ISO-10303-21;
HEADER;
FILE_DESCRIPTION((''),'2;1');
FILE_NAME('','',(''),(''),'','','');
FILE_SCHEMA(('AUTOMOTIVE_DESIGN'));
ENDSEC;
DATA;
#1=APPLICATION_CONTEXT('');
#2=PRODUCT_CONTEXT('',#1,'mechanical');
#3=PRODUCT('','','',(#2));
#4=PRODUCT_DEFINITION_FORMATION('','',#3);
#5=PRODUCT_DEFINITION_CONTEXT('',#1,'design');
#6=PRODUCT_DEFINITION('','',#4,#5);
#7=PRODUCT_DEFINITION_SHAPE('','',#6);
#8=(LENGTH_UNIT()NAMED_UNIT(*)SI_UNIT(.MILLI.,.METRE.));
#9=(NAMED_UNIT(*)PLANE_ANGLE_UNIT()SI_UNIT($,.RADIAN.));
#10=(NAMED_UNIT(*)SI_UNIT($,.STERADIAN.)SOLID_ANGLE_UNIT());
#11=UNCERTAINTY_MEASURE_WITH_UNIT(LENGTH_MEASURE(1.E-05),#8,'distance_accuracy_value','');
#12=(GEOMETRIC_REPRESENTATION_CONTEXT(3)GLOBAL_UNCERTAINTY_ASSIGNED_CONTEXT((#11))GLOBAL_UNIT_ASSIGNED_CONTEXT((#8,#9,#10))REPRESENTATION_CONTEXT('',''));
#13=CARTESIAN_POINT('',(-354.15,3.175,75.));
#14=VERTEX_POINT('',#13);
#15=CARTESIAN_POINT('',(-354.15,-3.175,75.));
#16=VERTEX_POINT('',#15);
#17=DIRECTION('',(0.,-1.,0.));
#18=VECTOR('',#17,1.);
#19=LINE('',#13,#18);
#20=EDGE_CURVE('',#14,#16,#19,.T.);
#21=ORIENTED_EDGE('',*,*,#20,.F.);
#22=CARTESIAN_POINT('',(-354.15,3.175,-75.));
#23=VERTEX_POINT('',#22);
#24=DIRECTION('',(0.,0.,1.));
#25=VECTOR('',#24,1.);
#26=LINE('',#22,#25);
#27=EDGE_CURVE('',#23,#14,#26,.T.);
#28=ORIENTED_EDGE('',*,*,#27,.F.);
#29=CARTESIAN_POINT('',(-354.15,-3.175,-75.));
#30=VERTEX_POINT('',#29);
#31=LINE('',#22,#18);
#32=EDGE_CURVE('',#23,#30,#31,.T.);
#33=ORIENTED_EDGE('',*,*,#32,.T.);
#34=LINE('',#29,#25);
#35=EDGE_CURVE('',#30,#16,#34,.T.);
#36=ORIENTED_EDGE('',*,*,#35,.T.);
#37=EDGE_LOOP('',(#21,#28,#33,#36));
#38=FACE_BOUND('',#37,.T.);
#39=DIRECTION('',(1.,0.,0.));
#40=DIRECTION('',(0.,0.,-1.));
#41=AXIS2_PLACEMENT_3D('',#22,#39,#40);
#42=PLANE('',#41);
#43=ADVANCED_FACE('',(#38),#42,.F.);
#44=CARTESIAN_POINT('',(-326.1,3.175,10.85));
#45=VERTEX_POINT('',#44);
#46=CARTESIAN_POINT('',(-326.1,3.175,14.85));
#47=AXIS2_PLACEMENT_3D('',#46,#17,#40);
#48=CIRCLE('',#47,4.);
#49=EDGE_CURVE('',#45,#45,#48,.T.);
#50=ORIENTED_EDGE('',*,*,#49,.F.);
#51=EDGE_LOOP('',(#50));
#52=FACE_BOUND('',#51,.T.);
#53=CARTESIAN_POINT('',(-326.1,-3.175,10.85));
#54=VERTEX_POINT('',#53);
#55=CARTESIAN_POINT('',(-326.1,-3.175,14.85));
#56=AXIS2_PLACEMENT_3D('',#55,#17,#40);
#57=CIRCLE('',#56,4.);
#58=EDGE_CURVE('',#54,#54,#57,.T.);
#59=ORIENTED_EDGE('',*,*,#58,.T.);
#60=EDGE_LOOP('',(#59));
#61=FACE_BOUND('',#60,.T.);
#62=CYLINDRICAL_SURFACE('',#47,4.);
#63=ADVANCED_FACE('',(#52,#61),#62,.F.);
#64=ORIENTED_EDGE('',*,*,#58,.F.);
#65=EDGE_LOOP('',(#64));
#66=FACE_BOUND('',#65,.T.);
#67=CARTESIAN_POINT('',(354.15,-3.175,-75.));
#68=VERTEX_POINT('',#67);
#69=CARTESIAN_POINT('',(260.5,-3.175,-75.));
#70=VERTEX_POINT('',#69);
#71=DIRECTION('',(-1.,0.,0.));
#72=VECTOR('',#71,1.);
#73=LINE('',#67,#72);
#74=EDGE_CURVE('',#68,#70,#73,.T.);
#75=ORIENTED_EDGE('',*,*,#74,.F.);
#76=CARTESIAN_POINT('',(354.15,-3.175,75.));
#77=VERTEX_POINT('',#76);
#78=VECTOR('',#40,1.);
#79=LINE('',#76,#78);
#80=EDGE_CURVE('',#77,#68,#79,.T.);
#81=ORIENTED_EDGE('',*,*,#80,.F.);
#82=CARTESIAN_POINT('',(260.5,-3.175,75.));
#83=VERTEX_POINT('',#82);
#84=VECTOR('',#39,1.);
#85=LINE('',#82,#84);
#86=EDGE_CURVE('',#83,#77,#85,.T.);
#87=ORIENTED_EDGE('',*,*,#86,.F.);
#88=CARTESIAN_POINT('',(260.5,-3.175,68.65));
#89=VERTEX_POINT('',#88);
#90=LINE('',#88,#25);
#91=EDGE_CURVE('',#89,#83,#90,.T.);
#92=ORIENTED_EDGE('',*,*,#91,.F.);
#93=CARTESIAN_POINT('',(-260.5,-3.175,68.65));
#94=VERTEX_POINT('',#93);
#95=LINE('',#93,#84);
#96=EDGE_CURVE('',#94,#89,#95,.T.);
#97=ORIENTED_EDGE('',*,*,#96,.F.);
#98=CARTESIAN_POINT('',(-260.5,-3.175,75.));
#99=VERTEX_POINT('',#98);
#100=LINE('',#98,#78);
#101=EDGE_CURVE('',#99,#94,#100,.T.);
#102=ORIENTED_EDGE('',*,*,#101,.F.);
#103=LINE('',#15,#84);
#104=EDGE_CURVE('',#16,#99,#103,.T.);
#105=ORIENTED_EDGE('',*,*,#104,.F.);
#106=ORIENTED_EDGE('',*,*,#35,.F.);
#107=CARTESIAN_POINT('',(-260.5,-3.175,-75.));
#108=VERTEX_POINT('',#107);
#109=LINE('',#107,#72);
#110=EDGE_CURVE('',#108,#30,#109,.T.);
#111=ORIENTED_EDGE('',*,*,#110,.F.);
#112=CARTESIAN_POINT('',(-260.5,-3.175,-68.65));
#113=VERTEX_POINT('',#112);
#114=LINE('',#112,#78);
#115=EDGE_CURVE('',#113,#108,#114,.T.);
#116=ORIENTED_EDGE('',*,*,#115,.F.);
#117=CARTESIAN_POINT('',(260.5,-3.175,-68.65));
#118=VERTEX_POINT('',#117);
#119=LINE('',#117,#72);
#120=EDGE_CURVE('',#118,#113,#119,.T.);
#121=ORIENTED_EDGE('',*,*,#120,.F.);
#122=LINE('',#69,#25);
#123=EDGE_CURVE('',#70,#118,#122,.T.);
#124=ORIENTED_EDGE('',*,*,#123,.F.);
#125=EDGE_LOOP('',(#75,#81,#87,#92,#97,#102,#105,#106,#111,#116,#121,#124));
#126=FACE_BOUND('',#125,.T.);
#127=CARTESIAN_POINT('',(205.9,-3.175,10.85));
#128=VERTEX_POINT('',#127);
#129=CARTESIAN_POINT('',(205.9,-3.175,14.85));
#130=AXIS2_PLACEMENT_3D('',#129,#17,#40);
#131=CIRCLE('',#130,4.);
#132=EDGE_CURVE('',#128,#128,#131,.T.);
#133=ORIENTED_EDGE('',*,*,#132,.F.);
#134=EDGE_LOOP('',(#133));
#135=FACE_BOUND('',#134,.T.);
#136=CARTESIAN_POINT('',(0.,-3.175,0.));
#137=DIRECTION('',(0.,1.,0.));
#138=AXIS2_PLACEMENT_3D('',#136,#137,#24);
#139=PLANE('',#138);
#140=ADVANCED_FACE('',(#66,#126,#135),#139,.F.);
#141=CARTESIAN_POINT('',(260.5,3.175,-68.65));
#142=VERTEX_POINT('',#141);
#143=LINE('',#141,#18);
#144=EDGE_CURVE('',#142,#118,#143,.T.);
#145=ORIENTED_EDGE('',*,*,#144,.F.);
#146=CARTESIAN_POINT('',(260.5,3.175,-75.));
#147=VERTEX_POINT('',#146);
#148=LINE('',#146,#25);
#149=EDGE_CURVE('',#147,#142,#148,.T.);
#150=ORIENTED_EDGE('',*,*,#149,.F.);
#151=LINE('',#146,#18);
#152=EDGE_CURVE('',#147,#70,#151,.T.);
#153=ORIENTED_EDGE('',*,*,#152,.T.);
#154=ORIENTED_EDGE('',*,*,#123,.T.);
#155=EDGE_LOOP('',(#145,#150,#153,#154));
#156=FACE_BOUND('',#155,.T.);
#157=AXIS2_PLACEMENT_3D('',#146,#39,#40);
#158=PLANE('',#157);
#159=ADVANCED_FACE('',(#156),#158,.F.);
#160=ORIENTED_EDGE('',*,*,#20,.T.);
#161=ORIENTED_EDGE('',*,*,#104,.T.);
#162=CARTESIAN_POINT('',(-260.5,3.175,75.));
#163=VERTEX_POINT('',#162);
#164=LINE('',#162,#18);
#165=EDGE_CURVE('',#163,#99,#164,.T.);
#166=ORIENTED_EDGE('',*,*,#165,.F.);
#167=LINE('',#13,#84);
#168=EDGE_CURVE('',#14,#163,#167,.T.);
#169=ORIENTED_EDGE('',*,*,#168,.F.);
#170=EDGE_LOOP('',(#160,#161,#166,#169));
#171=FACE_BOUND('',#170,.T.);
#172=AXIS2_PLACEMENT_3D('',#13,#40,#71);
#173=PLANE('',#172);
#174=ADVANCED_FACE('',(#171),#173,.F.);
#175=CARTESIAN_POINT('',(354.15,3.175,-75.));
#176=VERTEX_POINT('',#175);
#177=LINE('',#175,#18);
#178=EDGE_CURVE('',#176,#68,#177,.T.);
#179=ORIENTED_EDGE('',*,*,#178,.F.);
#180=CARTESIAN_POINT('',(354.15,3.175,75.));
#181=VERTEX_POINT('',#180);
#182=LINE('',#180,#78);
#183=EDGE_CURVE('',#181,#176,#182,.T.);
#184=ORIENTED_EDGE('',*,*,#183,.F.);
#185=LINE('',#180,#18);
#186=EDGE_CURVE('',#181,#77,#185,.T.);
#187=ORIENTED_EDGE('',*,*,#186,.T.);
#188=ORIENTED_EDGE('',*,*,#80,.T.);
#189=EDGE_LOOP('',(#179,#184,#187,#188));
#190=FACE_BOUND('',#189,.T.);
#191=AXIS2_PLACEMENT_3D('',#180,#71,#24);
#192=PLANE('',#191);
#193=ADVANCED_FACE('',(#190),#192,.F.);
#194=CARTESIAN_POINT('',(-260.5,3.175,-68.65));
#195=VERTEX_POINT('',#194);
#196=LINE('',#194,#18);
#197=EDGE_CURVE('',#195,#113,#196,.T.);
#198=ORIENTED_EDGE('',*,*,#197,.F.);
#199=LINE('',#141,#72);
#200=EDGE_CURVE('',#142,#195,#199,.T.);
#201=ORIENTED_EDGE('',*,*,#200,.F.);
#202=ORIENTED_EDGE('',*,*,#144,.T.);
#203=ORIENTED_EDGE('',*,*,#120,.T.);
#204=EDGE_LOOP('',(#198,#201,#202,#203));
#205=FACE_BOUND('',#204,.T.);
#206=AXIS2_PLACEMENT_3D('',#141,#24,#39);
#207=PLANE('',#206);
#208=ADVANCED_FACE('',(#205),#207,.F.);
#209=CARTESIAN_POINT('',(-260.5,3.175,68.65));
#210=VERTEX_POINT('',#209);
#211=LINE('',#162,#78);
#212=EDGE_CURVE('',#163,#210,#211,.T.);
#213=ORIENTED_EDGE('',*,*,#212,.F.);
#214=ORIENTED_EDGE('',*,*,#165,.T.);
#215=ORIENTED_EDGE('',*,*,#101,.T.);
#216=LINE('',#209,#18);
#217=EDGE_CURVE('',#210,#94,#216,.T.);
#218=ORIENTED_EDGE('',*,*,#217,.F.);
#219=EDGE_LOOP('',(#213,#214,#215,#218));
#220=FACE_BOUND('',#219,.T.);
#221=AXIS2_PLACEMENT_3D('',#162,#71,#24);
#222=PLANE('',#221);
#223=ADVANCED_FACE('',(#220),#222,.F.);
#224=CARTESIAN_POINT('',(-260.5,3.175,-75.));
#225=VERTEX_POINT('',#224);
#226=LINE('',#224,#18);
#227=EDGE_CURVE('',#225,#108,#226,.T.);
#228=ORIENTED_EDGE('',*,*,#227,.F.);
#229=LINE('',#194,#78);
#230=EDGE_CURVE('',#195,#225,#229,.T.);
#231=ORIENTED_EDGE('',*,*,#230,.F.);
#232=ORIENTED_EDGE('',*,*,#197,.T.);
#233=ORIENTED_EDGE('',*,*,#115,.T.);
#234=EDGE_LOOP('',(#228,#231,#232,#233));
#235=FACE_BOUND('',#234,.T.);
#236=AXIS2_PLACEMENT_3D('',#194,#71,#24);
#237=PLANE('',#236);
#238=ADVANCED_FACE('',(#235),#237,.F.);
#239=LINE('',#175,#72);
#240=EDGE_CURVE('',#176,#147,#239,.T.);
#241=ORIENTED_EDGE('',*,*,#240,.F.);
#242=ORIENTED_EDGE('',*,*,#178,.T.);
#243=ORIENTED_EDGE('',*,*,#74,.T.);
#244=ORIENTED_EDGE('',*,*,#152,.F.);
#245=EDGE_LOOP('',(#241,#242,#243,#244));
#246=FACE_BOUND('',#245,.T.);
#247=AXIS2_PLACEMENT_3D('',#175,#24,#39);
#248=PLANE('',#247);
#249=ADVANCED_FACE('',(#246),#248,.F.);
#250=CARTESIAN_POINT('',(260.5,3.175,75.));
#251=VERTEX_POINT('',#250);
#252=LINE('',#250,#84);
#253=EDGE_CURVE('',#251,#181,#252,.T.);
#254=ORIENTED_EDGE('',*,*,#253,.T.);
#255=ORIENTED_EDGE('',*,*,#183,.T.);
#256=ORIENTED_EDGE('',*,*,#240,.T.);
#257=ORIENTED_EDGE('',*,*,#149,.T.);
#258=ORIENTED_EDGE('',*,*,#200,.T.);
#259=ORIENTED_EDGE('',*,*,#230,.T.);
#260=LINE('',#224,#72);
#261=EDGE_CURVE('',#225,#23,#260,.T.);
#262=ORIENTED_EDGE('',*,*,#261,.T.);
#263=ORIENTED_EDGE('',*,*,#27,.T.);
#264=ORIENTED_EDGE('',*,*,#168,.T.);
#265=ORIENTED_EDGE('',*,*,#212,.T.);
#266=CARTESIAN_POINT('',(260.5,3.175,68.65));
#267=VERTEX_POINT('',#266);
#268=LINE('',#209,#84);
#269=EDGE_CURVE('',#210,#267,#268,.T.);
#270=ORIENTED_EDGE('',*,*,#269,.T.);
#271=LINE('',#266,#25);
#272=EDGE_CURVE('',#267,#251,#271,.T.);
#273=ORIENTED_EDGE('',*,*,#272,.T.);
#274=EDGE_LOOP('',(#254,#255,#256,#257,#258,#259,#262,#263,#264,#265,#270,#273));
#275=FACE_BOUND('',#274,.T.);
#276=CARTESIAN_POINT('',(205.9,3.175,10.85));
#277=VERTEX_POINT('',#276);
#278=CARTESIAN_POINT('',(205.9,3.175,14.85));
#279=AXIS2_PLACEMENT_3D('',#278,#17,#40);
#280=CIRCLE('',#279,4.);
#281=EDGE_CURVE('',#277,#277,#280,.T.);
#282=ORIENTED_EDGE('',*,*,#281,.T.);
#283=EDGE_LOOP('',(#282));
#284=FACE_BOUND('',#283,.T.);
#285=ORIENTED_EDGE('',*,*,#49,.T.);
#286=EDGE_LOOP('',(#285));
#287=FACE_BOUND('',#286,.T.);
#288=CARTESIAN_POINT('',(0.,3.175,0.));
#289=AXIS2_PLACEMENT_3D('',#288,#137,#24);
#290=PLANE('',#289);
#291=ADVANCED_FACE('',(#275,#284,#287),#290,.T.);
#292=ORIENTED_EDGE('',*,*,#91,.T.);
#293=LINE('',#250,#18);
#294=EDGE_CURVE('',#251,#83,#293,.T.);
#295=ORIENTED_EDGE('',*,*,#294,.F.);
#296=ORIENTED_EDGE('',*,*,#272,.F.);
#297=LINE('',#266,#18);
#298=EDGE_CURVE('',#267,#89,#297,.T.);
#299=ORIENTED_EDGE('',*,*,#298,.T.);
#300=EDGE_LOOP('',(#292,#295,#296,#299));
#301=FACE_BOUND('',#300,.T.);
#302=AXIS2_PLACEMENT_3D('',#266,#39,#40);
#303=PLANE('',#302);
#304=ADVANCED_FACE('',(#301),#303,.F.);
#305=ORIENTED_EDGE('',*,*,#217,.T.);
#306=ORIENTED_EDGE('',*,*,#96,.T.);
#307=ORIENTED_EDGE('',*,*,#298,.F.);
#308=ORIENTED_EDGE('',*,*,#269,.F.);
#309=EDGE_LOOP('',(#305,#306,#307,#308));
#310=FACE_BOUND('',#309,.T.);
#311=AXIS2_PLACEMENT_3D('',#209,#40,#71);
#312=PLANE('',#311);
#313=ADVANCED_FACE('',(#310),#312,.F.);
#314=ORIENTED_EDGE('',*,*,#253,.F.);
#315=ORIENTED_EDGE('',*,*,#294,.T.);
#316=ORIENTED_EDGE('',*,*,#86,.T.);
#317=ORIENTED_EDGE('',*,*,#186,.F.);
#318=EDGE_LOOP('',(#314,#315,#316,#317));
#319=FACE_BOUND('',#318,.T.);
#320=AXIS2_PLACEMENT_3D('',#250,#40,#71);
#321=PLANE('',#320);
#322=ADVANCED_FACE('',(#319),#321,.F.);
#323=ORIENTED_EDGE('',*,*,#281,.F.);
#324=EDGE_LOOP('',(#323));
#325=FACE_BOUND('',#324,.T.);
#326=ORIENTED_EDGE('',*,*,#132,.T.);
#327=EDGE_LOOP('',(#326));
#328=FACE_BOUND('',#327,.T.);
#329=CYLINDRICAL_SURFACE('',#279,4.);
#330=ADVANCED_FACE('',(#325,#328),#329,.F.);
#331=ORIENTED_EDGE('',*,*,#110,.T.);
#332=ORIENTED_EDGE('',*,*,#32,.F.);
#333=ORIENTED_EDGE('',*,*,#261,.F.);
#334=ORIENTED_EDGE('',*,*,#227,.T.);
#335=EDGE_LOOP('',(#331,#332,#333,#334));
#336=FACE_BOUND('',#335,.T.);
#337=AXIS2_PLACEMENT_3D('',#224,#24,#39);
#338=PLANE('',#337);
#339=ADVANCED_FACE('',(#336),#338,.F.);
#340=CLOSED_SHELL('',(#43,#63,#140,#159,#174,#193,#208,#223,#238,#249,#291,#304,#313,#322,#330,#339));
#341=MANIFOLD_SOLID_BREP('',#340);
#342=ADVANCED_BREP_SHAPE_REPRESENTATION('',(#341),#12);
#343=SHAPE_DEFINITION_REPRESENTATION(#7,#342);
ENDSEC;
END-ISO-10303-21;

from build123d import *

# Parameters (mm, degrees)
BOSS_EXTRUDE1_DEPTH  = 3.175
SKETCH4_R            = 4
LEFT_AND_RIGHT_DEPTH = 363.060140032


with BuildPart() as part:
    # Sketch1 → Boss-Extrude1 (new, symmetric)
    with BuildSketch(Plane(origin=(0, 0, 0), x_dir=(1, 0, 0), z_dir=(0, 1, 0))):
        Polygon((-354.15, 75), (-354.15, -75), (-260.5, -75), (-260.5, -68.65), (260.5, -68.65), (260.5, -75), (354.15, -75), (354.15, 75), (260.5, 75), (260.5, 68.65), (-260.5, 68.65), (-260.5, 75), align=None)
    extrude(amount=BOSS_EXTRUDE1_DEPTH, both=True)

    # Sketch4 → Left and Right (cut, through all)
    with BuildSketch(Plane.XZ.offset(3.175)):
        with Locations(Location((-326.1, 14.85, 0), (0, 0, 270))):
            Circle(SKETCH4_R)
        with Locations(Location((205.9, 14.85, 0), (0, 0, 270))):
            Circle(SKETCH4_R)
    extrude(amount=-LEFT_AND_RIGHT_DEPTH, mode=Mode.SUBTRACT)


solid = part.part
